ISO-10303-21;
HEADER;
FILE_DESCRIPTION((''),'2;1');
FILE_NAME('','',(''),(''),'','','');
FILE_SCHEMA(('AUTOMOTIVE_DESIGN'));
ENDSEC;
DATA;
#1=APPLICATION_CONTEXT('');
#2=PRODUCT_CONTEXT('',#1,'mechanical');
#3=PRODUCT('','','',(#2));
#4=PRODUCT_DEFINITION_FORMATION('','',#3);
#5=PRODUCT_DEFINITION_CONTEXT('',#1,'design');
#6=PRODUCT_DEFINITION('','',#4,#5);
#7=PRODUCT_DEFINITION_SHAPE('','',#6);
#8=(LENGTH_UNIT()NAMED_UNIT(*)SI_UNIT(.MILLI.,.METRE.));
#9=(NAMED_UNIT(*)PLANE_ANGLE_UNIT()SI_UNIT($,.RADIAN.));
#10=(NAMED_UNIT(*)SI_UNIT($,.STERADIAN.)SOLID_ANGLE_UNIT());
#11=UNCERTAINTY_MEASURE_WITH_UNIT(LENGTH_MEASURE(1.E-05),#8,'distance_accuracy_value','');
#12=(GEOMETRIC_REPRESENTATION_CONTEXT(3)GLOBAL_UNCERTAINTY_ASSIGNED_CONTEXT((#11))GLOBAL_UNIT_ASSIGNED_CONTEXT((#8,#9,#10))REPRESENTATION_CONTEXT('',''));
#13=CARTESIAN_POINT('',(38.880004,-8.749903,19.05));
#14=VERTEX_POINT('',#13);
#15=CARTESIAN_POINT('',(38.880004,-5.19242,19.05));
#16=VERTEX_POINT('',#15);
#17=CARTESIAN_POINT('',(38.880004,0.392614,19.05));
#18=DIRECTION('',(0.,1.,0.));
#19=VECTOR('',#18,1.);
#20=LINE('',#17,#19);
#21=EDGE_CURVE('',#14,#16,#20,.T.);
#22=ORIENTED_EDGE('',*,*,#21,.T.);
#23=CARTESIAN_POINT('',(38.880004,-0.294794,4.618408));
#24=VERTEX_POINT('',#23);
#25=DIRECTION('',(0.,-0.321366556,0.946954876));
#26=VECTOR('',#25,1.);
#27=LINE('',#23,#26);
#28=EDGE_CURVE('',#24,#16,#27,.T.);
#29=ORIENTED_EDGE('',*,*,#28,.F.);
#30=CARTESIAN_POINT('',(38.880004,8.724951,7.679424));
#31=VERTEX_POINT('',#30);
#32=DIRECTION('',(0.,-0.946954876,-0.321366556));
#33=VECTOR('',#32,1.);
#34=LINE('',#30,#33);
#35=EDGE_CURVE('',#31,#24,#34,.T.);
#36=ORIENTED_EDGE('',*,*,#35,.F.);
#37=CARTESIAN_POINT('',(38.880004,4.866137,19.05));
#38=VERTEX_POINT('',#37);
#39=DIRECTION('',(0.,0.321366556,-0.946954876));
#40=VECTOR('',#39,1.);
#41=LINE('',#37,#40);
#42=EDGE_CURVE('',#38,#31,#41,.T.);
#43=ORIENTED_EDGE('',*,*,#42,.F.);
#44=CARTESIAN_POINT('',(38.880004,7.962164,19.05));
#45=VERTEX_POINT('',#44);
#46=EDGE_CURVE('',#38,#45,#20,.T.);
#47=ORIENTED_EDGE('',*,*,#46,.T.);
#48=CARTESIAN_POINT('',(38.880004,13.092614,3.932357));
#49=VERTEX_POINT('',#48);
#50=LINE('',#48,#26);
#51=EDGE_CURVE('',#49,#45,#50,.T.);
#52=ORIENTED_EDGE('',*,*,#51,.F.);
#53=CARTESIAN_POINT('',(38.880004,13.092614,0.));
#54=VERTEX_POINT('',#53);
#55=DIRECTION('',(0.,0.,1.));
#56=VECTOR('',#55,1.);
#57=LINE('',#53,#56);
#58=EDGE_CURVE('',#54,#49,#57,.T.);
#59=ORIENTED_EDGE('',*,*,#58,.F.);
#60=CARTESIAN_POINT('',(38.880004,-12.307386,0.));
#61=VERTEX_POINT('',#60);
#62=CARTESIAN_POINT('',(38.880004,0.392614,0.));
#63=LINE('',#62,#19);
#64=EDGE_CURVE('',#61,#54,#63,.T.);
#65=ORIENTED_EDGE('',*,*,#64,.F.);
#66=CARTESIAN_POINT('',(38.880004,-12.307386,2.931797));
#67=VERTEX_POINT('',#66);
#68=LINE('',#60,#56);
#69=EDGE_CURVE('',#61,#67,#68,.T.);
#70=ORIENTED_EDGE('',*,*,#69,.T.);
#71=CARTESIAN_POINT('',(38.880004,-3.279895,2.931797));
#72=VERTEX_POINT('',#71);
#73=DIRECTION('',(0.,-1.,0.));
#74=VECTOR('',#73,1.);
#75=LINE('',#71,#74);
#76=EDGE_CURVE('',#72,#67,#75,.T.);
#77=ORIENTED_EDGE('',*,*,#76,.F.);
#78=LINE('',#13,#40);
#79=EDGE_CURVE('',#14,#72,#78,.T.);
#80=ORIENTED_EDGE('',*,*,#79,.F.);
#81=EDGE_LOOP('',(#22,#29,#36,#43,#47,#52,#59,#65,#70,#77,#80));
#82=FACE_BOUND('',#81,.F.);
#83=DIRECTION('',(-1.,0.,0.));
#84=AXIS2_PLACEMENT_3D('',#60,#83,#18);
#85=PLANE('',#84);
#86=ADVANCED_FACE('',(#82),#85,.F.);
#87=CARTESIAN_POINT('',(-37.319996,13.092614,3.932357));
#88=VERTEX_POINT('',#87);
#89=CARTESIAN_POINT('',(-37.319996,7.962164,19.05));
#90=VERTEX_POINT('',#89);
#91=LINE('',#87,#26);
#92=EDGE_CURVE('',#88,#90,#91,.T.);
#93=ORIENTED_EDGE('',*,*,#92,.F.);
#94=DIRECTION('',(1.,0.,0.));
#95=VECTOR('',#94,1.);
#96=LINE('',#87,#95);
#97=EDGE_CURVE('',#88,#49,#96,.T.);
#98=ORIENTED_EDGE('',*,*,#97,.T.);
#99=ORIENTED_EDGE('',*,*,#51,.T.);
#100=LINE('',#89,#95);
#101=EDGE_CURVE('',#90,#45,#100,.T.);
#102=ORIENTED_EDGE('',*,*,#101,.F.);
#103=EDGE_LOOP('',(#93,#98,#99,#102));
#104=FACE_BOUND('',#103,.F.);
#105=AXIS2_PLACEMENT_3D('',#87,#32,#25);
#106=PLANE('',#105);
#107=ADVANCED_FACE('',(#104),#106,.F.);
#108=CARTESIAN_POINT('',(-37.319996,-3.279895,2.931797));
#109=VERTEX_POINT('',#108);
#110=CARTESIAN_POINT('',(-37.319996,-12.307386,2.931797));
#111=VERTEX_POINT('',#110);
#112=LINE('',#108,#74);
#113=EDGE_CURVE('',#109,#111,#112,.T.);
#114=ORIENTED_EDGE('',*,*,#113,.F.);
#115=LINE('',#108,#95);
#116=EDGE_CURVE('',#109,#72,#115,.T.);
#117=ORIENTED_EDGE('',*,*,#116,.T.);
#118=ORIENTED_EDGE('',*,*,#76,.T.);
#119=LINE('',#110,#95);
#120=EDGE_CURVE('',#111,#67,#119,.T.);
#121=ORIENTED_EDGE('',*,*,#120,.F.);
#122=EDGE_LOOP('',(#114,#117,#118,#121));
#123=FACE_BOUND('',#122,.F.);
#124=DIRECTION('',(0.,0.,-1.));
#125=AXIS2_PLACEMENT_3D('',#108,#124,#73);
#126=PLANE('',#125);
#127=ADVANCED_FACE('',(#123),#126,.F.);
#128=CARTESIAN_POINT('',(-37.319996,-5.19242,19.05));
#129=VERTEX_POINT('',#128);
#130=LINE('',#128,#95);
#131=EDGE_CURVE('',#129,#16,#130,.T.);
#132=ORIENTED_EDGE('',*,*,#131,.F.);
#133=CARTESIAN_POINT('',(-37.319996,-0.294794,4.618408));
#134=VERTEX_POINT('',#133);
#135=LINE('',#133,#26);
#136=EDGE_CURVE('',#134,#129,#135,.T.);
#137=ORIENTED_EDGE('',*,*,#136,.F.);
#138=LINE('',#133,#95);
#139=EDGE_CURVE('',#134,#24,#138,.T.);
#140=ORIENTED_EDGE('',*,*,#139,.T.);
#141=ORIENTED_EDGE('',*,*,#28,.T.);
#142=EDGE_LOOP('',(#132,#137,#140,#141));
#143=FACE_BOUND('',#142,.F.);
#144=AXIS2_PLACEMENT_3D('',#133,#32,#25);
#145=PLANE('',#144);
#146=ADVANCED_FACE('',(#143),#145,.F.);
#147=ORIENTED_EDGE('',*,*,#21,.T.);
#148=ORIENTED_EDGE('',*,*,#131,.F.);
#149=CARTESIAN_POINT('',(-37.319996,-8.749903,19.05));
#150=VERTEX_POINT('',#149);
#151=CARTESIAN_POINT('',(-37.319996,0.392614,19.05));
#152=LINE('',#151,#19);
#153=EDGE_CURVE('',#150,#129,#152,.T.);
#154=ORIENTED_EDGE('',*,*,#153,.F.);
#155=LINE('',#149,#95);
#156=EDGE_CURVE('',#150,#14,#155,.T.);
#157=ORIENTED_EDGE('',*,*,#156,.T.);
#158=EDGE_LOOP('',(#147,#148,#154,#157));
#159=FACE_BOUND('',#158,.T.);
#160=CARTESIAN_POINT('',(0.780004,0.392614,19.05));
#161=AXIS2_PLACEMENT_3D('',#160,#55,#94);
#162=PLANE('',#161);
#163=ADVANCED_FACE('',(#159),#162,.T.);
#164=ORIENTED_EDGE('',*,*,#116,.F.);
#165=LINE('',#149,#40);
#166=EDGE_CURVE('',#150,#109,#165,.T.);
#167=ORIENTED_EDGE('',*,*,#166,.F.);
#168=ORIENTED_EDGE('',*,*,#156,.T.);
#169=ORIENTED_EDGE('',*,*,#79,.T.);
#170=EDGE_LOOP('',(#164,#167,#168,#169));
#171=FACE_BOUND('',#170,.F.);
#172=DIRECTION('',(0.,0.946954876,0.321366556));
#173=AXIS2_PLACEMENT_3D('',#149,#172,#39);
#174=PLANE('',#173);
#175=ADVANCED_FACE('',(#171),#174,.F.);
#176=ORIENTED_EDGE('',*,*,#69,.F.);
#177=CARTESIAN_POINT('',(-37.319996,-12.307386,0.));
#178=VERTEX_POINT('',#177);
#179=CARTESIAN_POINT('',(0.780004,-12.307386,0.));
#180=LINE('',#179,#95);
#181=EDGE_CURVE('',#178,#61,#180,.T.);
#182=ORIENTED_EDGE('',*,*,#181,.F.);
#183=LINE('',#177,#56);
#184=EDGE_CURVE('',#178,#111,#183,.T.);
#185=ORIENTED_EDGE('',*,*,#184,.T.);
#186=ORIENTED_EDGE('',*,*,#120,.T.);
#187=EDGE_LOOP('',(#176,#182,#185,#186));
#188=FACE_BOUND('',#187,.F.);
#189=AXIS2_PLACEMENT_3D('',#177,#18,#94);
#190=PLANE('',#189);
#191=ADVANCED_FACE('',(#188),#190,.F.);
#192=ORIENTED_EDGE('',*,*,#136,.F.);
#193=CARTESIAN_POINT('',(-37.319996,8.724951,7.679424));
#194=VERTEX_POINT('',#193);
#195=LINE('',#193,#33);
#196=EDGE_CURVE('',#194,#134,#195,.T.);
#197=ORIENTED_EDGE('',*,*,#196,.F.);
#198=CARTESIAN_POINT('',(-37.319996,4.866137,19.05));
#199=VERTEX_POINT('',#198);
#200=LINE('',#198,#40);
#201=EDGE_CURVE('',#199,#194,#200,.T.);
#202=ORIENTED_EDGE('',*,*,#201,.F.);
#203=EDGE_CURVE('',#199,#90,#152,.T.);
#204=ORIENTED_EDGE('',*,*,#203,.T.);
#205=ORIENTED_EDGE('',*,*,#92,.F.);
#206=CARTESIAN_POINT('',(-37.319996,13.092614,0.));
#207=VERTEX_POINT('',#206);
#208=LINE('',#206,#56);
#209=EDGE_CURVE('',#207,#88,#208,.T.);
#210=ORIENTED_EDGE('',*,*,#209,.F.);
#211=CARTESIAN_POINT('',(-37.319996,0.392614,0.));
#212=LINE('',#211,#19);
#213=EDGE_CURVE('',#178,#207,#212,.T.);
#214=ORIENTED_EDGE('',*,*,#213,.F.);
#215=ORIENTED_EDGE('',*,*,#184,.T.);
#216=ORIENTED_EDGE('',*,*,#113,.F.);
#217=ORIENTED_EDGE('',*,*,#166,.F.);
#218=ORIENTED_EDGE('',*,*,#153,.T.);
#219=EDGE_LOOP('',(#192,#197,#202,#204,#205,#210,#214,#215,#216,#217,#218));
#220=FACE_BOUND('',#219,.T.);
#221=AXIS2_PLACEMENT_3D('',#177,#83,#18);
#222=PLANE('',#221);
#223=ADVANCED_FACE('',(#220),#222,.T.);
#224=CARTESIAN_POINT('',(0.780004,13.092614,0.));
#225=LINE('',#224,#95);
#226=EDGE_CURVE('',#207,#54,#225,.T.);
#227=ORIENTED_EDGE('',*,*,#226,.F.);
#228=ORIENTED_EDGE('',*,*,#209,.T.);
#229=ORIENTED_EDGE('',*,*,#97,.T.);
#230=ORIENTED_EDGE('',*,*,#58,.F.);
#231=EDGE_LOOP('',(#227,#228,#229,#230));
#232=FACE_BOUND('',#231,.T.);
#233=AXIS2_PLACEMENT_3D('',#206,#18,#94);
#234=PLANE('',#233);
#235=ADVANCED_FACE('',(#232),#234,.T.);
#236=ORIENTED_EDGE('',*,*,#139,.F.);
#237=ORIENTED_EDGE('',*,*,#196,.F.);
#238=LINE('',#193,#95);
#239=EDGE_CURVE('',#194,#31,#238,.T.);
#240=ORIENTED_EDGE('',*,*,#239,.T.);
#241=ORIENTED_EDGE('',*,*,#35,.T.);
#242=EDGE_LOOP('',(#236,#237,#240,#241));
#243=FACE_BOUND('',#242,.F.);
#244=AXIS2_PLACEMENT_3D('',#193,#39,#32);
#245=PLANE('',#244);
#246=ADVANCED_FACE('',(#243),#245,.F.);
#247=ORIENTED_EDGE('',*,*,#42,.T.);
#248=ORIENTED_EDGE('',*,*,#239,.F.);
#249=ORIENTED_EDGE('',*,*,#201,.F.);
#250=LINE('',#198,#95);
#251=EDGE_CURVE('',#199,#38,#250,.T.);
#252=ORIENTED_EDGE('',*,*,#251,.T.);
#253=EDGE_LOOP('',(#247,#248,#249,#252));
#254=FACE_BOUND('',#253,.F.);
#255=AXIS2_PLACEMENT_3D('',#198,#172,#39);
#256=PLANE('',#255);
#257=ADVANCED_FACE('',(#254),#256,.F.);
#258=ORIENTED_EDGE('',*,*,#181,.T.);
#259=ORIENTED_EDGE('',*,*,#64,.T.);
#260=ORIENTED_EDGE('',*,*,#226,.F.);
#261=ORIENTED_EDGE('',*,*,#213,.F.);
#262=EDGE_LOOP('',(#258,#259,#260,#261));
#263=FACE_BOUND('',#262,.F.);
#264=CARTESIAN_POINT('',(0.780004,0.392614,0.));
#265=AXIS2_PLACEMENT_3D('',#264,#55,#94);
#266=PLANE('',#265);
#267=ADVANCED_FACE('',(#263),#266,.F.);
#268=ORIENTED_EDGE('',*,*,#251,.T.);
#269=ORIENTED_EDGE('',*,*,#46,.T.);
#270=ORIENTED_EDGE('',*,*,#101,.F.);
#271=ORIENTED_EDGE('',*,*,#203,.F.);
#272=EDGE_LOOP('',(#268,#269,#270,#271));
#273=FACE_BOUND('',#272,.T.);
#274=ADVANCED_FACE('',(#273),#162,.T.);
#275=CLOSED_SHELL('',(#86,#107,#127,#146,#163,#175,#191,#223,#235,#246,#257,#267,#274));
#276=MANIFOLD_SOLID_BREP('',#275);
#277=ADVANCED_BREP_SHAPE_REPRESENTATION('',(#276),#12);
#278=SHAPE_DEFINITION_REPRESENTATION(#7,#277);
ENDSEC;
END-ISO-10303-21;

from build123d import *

# Parameters (mm, degrees)
F0_W     = 76.2
F0_H     = 25.4
F1_DEPTH = 19.05
F3_DEPTH = 76.2
F4_DEPTH = 76.2
F6_DEPTH = 76.2


with BuildPart() as f1:
    # F0 (on Top) → F1 (new body)
    with BuildSketch(Plane.XY):
        with Locations((0.7800040767, 0.3926137724)):
            Rectangle(F0_W, F0_H)
    extrude(amount=F1_DEPTH)

    # F2 (on face) → F3 (cut)
    with BuildSketch(Plane(origin=(-37.3199959233, 0, 0), x_dir=(0, -1, 0), z_dir=(-1, 0, 0))):
        Polygon((5.1924203255, 19.05), (-4.8661371025, 19.05), (-8.724951177, 7.6794241368), (0.294794015, 4.6184076928), align=None)
    extrude(amount=-F3_DEPTH, mode=Mode.SUBTRACT)

    # F2 (on face) → F4 (cut)
    with BuildSketch(Plane(origin=(-37.3199959233, 0, 0), x_dir=(0, -1, 0), z_dir=(-1, 0, 0))):
        Polygon((-13.0926137724, 3.9323569939), (-7.9621635377, 19.05), (-13.0926137724, 19.05), align=None)
    extrude(amount=-F4_DEPTH, mode=Mode.SUBTRACT)

    # F5 (on face) → F6 (cut)
    with BuildSketch(Plane(origin=(-37.3199959233, 0, 0), x_dir=(0, -1, 0), z_dir=(-1, 0, 0))):
        Polygon((12.3073862276, 19.05), (8.7499032765, 19.05), (3.2798947146, 2.9317973285), (8.4929587319, 2.9317973285), (12.3073862276, 2.9317973285), align=None)
    extrude(amount=-F6_DEPTH, mode=Mode.SUBTRACT)


solid = f1.part
